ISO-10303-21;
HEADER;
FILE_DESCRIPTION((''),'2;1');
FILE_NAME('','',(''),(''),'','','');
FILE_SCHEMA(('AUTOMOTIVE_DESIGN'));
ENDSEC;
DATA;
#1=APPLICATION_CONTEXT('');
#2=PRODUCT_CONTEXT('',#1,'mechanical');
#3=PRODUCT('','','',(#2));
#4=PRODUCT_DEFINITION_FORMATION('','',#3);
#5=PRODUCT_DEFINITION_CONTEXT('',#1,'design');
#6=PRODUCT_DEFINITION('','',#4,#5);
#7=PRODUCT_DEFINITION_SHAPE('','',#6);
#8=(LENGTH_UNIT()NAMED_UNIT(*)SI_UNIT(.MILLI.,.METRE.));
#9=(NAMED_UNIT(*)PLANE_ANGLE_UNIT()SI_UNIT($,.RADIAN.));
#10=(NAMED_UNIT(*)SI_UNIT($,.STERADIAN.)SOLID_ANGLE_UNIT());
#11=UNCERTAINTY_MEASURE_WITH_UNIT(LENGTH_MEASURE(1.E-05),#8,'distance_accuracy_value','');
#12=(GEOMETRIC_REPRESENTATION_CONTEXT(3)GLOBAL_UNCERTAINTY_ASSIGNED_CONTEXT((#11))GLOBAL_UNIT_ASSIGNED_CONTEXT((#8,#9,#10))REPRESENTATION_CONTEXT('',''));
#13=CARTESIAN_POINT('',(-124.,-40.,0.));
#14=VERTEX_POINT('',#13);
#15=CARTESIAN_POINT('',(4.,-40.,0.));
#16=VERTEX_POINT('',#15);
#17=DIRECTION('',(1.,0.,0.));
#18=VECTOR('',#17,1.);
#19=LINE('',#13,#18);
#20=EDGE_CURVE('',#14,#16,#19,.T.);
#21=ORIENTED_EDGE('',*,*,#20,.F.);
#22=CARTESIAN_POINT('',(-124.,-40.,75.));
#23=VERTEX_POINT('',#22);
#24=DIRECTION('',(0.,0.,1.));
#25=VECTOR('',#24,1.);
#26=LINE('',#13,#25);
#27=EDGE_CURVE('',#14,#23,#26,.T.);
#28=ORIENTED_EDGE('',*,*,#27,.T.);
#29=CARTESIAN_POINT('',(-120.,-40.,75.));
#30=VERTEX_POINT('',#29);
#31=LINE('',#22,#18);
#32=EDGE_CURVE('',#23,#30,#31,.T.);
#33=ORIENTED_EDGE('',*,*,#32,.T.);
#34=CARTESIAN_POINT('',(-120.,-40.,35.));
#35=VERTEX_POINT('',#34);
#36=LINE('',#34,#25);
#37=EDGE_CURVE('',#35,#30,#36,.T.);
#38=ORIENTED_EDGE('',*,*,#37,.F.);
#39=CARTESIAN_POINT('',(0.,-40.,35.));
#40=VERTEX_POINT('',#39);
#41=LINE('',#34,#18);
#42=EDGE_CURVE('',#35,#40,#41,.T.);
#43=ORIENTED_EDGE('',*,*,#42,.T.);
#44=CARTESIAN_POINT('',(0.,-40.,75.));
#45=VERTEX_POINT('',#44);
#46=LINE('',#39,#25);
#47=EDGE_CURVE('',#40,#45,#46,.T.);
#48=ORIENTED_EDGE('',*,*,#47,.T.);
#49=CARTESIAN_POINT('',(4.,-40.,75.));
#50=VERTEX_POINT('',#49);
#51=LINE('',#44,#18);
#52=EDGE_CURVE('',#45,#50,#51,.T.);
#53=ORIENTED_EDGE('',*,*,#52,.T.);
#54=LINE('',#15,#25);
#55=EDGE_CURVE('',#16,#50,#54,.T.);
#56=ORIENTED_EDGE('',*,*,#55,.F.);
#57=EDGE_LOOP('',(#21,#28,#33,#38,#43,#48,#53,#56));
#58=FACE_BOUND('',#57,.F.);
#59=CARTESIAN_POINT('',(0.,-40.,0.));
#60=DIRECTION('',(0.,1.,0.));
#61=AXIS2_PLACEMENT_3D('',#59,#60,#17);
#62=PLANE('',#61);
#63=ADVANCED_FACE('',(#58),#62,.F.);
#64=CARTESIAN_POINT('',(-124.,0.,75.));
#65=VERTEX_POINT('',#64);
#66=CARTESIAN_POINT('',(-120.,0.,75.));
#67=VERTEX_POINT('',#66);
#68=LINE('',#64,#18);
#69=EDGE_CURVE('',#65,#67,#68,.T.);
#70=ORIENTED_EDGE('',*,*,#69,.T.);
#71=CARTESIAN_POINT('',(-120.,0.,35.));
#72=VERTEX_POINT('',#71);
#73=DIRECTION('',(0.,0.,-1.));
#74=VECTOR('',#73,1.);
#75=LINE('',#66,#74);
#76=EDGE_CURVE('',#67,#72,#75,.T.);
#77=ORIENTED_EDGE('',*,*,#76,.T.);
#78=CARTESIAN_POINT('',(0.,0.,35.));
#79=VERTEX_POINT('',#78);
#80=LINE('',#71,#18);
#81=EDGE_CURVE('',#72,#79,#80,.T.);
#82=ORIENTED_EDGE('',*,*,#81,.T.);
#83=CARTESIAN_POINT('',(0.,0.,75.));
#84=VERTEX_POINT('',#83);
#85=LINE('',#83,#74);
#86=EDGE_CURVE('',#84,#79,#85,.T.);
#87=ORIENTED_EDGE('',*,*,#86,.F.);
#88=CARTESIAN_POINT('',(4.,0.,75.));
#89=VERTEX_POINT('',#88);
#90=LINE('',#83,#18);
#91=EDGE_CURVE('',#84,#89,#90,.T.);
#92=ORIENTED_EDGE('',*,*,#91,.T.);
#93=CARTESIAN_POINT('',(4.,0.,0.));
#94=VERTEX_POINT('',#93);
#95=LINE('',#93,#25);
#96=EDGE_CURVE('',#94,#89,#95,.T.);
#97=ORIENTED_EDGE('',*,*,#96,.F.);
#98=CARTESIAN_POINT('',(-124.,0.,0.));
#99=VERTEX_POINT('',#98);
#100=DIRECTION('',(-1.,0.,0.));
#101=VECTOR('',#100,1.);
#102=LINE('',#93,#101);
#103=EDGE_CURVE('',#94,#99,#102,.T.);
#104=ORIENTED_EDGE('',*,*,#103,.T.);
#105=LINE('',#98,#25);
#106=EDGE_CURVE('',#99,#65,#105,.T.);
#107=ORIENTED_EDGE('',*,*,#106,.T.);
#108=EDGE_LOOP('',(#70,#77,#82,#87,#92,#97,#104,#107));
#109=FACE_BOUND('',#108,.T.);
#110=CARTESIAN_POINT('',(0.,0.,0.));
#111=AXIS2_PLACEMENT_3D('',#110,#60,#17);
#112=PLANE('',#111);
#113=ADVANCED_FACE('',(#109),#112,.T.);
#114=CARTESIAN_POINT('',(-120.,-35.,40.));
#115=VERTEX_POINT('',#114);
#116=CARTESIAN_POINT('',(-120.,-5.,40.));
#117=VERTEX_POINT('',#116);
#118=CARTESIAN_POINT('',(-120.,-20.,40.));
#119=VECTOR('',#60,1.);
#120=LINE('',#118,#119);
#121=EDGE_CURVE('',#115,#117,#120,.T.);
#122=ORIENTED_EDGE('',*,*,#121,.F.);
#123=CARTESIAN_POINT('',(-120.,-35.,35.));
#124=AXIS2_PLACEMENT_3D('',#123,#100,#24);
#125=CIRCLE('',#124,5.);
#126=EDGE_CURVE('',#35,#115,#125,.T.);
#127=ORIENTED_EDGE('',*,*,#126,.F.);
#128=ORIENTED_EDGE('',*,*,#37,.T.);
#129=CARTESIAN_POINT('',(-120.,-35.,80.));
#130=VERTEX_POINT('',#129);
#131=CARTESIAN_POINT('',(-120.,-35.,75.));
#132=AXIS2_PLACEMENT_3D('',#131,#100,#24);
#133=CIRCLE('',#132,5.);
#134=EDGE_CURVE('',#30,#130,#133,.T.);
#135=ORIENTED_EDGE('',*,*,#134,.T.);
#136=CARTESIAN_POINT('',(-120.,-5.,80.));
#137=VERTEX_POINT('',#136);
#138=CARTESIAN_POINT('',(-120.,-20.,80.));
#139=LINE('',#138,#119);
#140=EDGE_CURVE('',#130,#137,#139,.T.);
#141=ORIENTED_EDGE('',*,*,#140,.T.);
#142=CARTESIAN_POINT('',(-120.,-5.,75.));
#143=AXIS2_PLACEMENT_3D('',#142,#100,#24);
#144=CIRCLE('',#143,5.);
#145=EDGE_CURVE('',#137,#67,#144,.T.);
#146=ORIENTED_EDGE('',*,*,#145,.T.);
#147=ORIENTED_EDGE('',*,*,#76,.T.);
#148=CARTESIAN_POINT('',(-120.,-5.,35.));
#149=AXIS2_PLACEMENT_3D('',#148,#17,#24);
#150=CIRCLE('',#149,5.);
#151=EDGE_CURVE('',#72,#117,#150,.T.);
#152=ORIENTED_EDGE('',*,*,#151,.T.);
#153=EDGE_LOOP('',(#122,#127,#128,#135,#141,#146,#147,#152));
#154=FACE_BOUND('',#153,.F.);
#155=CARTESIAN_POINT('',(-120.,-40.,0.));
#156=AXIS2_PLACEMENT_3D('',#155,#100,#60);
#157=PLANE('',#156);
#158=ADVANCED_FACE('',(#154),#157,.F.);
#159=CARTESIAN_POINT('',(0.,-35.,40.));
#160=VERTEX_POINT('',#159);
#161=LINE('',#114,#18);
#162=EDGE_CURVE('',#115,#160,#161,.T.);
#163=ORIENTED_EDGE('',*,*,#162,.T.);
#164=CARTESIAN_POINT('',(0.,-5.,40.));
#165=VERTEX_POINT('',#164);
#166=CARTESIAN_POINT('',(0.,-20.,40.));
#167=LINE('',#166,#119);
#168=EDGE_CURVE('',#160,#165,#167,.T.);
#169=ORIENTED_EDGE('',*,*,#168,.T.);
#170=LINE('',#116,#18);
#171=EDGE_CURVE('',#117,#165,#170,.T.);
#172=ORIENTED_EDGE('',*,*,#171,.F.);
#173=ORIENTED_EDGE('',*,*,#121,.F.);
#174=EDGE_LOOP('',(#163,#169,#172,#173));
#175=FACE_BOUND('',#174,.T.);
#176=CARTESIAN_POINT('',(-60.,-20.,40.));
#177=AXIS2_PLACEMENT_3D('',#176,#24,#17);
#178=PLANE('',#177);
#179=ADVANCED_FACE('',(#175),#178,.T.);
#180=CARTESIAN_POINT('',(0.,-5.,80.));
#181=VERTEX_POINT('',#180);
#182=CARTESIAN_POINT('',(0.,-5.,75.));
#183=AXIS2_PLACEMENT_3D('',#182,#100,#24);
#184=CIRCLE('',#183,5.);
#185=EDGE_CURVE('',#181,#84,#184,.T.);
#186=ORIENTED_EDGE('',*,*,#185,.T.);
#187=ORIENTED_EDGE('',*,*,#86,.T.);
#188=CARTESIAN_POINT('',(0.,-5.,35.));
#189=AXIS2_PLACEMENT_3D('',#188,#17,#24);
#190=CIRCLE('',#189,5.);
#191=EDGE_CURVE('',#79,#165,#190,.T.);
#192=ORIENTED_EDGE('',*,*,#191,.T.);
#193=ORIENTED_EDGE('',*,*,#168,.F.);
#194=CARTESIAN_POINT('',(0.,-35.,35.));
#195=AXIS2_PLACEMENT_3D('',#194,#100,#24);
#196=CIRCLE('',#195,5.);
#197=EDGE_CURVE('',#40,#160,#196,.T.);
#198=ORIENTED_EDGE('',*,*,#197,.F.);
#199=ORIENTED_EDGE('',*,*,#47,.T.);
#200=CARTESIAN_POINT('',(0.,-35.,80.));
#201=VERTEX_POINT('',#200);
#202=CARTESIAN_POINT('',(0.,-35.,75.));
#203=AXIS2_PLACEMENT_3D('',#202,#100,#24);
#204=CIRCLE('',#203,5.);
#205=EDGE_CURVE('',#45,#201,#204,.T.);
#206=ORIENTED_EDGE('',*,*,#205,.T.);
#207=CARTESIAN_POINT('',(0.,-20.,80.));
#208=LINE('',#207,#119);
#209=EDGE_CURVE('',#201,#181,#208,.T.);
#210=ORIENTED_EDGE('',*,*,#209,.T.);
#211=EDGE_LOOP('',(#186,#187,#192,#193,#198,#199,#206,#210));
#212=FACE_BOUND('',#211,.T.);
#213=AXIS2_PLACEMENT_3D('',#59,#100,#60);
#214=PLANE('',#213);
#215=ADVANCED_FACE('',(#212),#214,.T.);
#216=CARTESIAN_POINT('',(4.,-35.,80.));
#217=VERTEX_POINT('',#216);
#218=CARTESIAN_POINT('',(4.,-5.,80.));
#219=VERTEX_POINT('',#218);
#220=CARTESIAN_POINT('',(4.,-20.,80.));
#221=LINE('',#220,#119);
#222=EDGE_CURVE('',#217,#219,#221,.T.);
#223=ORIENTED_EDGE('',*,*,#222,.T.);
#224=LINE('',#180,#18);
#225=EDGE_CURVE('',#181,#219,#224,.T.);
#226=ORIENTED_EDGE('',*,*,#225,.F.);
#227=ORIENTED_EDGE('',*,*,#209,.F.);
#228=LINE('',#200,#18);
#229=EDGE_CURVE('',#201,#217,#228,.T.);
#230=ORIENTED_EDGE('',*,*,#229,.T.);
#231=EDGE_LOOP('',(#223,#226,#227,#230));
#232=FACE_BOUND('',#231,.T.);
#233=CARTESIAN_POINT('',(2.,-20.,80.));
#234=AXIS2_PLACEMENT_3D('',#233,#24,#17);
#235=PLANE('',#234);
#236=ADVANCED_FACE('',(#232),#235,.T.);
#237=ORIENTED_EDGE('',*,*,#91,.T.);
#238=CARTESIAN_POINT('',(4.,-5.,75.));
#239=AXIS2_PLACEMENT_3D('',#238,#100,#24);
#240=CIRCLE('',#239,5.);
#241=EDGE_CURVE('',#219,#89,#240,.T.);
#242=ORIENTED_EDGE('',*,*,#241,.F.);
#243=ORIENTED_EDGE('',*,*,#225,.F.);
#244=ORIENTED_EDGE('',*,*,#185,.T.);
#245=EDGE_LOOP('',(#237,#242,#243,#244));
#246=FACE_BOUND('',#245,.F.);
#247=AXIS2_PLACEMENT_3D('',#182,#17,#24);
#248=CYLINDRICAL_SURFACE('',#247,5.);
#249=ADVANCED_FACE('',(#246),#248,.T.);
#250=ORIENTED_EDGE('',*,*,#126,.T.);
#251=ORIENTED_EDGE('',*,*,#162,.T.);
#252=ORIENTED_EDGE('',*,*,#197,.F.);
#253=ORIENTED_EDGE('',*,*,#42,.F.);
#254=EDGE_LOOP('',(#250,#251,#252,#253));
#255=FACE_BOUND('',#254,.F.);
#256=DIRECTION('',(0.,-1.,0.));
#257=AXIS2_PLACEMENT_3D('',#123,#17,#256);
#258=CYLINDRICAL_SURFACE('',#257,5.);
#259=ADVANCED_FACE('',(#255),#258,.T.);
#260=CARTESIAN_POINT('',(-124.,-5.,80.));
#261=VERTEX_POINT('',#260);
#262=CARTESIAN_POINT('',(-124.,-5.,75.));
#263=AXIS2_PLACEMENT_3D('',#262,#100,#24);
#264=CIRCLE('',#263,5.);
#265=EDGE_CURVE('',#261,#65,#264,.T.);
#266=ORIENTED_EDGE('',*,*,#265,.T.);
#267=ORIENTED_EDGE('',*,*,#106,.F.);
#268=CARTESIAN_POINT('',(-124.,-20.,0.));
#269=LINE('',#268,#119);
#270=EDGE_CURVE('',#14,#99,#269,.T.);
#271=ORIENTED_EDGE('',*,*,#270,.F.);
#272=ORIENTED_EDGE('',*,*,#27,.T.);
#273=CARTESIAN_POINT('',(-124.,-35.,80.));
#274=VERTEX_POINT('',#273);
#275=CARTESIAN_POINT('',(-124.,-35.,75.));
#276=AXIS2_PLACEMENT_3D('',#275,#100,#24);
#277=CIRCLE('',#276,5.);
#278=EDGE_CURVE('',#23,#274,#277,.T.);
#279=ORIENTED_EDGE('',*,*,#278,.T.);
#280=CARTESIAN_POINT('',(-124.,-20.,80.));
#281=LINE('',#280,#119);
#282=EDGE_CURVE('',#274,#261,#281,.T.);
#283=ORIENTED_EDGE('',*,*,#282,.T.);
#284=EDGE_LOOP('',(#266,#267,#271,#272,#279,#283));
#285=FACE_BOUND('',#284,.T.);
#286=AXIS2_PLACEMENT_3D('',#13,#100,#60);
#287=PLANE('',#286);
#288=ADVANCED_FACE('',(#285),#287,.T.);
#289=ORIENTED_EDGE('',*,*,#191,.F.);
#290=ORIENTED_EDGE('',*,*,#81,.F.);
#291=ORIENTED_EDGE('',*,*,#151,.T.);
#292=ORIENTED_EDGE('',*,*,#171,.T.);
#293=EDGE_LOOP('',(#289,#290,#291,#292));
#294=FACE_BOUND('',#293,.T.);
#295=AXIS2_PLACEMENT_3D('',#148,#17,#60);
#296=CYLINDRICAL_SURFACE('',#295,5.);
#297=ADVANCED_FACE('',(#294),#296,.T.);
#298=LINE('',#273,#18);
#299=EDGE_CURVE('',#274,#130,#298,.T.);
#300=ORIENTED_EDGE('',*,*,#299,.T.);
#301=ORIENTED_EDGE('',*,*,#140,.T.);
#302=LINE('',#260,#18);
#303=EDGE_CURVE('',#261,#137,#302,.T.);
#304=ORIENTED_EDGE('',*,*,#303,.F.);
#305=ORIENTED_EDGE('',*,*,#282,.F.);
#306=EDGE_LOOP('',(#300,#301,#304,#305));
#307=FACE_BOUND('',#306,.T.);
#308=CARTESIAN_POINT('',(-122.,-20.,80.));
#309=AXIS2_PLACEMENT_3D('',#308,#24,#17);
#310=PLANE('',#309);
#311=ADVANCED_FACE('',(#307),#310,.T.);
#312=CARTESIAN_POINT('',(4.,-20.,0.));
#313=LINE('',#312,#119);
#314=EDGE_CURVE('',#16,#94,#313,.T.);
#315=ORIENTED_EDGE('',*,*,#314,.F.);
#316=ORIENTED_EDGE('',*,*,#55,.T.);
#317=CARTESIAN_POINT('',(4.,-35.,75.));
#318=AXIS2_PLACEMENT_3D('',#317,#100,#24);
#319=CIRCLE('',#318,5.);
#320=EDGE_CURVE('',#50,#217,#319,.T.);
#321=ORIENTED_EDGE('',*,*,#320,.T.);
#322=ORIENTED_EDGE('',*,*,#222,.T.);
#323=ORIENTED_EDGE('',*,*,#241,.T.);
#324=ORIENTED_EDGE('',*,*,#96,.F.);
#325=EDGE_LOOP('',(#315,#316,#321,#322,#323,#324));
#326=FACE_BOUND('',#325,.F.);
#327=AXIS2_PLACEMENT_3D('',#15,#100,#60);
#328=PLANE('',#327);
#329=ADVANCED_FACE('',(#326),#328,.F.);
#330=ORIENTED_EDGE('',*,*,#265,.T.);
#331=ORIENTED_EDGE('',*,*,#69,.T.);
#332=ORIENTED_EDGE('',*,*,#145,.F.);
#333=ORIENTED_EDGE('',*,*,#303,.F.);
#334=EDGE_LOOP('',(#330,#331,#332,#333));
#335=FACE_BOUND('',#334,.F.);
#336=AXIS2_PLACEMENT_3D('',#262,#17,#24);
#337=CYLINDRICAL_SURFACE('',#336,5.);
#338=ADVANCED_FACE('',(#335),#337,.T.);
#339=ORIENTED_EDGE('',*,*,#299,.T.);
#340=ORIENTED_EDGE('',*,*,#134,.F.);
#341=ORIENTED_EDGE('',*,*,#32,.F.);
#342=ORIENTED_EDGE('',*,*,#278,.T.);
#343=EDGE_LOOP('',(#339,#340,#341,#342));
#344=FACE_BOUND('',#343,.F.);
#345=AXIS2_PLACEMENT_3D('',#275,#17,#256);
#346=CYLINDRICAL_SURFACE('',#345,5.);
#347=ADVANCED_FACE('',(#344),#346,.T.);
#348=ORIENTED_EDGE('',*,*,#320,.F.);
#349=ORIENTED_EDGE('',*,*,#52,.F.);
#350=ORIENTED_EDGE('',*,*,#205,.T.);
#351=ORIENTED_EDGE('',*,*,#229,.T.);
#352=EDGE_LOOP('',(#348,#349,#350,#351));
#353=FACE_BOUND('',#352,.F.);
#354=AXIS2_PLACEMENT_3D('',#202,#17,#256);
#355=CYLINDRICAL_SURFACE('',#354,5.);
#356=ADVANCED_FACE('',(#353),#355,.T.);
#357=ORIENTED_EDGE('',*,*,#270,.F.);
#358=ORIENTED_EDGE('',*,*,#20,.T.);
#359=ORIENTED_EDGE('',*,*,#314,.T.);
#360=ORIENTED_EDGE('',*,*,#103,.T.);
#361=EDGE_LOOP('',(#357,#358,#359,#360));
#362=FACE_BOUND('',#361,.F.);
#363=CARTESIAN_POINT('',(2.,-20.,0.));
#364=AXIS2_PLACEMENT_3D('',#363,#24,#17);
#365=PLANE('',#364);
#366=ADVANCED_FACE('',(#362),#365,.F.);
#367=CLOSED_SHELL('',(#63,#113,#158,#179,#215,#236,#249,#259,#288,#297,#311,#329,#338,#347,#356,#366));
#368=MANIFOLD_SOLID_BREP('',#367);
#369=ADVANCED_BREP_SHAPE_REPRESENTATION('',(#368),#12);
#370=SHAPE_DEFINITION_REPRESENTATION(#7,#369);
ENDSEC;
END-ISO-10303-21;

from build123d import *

# Parameters (mm, degrees)
F1_W     = 120
F1_H     = 40
F2_DEPTH = 40
F1_W_2   = 4
F3_DEPTH = 80
F4_R     = 5


with BuildPart() as f2:
    # F1 (on Top) → F2 (new body)
    with BuildSketch(Plane.XY):
        with Locations((-60, -20)):
            Rectangle(F1_W, F1_H)
    extrude(amount=F2_DEPTH)

    # F1 (on Top) → F3 (join)
    with BuildSketch(Plane.XY):
        with Locations((2, -20)):
            Rectangle(F1_W_2, F1_H)
        with Locations((-122, -20)):
            Rectangle(F1_W_2, F1_H)
    extrude(amount=F3_DEPTH)

    # F4
    f4_edges = [f2.edges().sort_by_distance(p)[0] for p in [
        (-60, -40, 40),
        (-60, 0, 40),
        (-122, -40, 80),
        (-122, 0, 80),
        (2, -40, 80),
        (2, 0, 80),
    ]]
    fillet(f4_edges, radius=F4_R)


solid = f2.part
